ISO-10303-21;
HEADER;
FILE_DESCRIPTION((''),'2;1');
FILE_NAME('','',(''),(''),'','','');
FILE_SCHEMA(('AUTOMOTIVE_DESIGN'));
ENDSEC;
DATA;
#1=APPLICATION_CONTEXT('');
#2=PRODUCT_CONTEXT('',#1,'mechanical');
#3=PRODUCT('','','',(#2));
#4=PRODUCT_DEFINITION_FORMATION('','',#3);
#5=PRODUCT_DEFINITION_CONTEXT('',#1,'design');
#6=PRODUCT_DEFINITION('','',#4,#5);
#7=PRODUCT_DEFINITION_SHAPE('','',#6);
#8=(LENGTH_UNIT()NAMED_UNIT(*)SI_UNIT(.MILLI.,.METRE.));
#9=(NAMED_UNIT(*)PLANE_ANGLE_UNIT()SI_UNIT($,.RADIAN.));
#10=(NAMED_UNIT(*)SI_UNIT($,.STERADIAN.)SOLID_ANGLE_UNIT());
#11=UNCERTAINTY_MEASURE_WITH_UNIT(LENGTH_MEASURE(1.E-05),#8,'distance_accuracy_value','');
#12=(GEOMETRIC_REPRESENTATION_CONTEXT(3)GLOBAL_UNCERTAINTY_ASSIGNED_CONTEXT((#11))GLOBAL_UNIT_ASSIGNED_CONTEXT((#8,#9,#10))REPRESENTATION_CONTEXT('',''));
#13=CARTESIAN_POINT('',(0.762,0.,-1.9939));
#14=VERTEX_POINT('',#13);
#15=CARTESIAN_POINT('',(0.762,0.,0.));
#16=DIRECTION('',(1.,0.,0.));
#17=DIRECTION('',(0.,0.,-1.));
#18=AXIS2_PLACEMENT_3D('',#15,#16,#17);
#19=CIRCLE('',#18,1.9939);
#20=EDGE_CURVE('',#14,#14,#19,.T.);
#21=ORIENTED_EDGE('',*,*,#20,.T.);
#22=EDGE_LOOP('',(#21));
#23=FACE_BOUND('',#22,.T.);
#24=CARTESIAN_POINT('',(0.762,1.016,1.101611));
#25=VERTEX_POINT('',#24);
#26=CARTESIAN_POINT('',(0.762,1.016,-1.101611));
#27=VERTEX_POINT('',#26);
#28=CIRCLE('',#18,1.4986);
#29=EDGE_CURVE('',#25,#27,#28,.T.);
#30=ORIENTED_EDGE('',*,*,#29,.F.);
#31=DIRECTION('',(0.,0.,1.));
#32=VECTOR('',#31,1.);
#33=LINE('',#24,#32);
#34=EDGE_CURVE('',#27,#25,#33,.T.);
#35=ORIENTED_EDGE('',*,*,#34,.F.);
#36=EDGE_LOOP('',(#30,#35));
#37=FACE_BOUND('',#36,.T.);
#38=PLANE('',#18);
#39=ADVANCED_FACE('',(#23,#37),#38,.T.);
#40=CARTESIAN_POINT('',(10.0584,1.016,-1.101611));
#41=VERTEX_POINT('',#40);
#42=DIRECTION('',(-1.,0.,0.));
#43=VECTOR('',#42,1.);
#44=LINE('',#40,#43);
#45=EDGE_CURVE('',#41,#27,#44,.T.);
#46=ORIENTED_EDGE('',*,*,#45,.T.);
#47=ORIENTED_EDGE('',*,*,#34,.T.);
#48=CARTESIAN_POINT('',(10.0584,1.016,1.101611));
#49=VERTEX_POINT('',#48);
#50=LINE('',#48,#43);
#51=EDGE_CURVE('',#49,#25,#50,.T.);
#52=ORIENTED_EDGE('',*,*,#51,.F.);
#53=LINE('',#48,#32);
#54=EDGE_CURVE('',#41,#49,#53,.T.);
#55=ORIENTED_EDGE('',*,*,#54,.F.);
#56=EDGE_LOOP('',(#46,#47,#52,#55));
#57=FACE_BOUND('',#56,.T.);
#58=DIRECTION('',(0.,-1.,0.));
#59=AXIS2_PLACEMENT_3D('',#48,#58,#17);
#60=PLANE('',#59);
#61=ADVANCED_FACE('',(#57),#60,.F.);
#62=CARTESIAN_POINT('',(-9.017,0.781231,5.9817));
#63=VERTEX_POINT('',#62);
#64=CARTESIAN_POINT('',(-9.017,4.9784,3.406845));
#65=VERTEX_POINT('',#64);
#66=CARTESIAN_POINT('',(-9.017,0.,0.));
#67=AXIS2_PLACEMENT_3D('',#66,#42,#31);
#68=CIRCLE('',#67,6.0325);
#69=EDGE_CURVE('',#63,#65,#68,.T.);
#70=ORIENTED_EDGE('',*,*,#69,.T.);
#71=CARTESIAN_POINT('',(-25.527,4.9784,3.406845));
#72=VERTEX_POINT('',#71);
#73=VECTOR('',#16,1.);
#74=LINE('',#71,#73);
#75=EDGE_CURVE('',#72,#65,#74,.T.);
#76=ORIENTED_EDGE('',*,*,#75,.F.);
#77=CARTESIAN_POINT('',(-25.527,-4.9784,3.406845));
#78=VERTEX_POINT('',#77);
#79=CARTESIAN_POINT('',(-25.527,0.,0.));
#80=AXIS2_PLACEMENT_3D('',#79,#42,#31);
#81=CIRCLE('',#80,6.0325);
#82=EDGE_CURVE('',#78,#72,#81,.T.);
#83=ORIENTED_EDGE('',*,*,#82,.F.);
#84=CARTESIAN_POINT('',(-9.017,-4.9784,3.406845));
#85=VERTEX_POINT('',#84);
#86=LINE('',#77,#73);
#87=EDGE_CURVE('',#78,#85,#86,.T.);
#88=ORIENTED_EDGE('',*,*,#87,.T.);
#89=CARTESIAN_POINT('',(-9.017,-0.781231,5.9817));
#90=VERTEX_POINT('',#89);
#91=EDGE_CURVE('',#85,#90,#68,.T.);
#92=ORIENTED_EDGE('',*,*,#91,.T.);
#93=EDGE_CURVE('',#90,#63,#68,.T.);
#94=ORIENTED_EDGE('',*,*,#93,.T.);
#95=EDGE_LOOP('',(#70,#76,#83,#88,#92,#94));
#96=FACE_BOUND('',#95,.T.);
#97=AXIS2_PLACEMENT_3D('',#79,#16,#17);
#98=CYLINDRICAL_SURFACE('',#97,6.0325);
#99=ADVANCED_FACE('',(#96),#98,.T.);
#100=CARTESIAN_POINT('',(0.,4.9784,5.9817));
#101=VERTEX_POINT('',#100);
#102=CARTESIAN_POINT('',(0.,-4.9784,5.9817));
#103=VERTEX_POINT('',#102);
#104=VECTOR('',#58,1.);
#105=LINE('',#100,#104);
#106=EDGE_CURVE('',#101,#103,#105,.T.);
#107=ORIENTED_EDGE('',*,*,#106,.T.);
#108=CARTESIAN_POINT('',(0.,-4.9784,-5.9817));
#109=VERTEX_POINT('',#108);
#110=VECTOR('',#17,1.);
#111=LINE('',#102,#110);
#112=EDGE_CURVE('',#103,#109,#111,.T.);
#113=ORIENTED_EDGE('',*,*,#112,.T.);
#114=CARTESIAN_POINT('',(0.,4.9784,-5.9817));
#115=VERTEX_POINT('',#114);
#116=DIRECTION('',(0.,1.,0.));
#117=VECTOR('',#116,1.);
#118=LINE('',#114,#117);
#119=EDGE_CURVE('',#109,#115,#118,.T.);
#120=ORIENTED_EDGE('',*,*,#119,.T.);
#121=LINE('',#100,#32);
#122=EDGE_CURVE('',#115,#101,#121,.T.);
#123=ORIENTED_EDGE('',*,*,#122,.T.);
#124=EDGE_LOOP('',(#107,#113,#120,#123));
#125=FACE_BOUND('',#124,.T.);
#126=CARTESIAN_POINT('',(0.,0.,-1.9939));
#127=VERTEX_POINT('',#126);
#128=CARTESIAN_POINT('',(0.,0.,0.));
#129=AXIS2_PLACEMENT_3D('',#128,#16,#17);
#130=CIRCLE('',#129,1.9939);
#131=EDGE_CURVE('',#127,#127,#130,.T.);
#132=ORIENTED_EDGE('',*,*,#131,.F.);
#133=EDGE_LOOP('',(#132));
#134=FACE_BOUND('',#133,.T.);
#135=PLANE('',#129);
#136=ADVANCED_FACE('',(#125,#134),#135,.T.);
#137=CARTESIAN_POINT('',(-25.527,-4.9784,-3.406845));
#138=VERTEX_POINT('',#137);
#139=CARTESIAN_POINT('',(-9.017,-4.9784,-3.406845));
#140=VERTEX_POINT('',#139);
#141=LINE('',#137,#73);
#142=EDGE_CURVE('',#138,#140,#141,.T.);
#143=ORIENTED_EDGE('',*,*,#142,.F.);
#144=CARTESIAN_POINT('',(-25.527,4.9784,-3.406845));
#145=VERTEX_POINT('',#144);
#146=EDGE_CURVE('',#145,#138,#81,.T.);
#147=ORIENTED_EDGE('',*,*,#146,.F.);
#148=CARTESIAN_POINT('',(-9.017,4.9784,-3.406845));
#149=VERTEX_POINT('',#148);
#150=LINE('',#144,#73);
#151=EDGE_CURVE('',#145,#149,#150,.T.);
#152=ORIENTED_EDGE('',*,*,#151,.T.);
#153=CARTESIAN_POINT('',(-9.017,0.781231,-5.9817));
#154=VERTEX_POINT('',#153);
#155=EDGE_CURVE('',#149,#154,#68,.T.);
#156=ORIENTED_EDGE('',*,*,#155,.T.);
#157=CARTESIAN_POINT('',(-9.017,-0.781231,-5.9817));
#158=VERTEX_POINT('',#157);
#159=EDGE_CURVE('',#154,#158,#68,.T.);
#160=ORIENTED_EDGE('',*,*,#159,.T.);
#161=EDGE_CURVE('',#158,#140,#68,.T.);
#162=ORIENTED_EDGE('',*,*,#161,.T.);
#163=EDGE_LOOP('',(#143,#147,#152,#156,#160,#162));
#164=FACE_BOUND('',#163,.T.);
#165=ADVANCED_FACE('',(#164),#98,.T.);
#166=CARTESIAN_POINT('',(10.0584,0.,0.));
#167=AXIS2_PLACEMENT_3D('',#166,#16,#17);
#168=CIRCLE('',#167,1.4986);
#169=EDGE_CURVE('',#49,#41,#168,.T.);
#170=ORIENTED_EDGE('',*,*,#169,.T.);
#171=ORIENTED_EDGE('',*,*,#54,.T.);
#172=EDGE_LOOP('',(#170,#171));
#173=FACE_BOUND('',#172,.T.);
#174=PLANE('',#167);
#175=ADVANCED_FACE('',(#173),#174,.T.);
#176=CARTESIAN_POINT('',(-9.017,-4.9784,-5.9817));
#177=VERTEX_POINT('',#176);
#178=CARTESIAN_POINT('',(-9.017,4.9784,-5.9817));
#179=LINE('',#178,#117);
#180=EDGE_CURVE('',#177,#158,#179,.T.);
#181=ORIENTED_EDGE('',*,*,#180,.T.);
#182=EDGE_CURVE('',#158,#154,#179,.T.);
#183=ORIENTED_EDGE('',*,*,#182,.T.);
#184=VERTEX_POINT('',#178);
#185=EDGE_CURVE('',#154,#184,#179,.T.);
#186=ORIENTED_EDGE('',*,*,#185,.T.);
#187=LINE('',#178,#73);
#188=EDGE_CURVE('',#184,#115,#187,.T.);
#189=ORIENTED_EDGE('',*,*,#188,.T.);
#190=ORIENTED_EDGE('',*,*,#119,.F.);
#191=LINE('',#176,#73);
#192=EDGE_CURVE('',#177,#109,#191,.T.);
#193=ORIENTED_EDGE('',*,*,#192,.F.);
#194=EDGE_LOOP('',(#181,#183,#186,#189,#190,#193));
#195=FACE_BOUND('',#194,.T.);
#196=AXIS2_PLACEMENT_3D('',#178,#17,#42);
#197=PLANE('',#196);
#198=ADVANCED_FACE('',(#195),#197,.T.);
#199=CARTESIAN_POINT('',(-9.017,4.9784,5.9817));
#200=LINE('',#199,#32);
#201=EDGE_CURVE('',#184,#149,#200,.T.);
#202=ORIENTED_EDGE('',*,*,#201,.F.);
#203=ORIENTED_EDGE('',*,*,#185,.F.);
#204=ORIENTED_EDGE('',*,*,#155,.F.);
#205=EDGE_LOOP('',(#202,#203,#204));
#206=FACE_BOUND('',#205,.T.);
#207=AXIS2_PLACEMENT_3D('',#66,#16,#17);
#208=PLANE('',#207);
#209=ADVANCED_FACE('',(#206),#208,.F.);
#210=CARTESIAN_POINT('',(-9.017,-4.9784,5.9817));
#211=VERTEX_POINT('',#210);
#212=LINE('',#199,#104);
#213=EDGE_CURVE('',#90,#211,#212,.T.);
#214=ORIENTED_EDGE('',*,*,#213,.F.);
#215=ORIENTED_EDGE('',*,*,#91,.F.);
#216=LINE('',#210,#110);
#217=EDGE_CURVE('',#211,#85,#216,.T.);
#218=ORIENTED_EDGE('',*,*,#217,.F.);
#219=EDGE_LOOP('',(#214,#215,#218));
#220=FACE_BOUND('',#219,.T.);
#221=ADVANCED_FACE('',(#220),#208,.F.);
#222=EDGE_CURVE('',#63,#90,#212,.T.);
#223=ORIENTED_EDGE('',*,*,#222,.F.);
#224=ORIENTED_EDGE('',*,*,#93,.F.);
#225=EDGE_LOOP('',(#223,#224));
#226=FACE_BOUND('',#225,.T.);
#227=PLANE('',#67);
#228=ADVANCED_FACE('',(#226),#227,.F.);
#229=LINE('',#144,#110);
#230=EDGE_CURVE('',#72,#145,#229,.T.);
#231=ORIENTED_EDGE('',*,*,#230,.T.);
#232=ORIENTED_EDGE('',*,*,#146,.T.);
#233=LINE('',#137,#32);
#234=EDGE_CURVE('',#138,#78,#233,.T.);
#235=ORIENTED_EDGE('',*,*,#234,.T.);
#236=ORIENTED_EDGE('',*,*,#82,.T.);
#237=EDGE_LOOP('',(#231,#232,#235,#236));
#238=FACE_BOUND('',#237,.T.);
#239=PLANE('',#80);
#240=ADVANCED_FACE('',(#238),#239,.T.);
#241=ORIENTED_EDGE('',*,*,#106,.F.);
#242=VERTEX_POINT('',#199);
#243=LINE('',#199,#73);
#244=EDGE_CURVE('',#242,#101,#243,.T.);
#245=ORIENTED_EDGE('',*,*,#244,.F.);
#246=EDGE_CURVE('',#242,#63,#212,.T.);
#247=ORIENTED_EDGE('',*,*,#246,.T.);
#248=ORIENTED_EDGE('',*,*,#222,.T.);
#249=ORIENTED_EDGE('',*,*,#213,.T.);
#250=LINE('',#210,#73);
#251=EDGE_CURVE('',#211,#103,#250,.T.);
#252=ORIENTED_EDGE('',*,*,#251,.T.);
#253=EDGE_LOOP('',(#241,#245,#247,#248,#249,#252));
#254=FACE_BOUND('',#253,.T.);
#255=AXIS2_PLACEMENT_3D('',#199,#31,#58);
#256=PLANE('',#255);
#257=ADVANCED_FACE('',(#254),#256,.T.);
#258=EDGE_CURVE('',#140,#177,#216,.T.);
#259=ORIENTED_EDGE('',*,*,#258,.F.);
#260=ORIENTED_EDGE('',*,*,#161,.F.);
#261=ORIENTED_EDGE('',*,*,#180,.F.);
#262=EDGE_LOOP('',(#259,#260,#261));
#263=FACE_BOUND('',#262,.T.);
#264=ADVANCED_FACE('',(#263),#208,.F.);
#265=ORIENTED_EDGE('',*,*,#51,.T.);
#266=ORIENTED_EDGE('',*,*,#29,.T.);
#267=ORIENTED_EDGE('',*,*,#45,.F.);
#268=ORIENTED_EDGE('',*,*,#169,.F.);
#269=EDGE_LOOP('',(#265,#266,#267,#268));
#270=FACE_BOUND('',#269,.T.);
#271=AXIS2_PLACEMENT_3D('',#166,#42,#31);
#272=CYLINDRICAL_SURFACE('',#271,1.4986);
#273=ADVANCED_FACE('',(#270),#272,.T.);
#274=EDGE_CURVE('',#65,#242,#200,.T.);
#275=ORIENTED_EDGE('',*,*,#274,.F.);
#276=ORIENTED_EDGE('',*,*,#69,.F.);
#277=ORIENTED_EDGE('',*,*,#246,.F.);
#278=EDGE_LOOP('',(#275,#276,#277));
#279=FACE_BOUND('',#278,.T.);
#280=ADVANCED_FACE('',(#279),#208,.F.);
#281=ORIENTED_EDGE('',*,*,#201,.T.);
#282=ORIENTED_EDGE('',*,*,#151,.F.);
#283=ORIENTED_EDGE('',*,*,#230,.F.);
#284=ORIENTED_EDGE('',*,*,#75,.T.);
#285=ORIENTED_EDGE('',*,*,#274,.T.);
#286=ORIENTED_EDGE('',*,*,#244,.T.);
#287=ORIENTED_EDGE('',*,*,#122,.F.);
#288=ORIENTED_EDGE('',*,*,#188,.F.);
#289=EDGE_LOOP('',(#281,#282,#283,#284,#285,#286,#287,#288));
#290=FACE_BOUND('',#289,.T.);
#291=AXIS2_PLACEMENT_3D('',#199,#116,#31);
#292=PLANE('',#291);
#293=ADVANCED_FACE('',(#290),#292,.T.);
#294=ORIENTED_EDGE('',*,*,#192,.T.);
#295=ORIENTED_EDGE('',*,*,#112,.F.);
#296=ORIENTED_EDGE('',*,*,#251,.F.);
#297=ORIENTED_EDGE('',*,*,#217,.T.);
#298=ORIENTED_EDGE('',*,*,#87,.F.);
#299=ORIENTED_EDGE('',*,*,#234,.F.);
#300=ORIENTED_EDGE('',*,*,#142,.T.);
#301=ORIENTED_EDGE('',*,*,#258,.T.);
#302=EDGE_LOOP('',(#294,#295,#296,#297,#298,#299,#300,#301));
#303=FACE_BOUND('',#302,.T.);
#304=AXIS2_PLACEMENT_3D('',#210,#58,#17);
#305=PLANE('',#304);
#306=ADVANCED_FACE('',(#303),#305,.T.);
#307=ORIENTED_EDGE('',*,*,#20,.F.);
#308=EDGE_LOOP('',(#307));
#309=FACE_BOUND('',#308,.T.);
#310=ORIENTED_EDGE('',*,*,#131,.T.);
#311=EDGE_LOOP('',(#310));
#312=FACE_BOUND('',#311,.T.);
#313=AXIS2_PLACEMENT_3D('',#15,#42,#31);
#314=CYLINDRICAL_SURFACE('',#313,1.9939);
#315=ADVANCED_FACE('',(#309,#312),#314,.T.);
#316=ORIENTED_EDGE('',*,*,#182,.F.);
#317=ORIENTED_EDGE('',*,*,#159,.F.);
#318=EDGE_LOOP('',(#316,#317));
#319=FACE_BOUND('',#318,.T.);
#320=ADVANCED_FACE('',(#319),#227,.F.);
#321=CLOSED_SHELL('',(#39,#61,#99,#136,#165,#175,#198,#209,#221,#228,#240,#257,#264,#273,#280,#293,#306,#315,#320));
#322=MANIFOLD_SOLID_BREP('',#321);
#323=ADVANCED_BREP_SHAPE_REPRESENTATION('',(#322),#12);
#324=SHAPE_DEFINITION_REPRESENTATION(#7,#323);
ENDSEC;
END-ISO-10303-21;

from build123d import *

# Parameters (mm, degrees)
SKETCH1_W           = 11.9634
SKETCH1_H           = 9.9568
BOSS_EXTRUDE1_DEPTH = 9.017
BOSS_EXTRUDE2_DEPTH = 10.0584
SKETCH3_R           = 1.9939
BOSS_EXTRUDE3_DEPTH = 0.762
BOSS_EXTRUDE4_DEPTH = 16.51


with BuildPart() as part:
    # Sketch1 → Boss-Extrude1 (new body)
    with BuildSketch(Plane(origin=(0, 0, 0), x_dir=(0, 0, -1), z_dir=(1, 0, 0))):
        Rectangle(SKETCH1_W, SKETCH1_H)
    extrude(amount=-BOSS_EXTRUDE1_DEPTH)

    # Sketch2 → Boss-Extrude2 (add)
    with BuildSketch(Plane(origin=(0, 0, 0), x_dir=(0, 0, -1), z_dir=(1, 0, 0))):
        with BuildLine():
            Line((-1.101610621, 1.016), (1.101610621, 1.016))
            ThreePointArc((1.101610621, 1.016), (0, -1.4986), (-1.101610621, 1.016))
        make_face()
    extrude(amount=BOSS_EXTRUDE2_DEPTH)

    # Sketch3 → Boss-Extrude3 (add)
    with BuildSketch(Plane(origin=(0, 0, 0), x_dir=(0, 0, -1), z_dir=(1, 0, 0))):
        Circle(SKETCH3_R)
    extrude(amount=BOSS_EXTRUDE3_DEPTH)

    # Sketch4 → Boss-Extrude4 (add)
    with BuildSketch(Plane.ZY.offset(9.017)):
        with BuildLine():
            Line((-3.406844536, 4.9784), (3.406844536, 4.9784))
            ThreePointArc((3.406844536, 4.9784), (6.0325, 0), (3.406844536, -4.9784))
            Line((3.406844536, -4.9784), (-3.406844536, -4.9784))
            ThreePointArc((-3.406844536, -4.9784), (-6.0325, 0), (-3.406844536, 4.9784))
        make_face()
    extrude(amount=BOSS_EXTRUDE4_DEPTH)


solid = part.part
